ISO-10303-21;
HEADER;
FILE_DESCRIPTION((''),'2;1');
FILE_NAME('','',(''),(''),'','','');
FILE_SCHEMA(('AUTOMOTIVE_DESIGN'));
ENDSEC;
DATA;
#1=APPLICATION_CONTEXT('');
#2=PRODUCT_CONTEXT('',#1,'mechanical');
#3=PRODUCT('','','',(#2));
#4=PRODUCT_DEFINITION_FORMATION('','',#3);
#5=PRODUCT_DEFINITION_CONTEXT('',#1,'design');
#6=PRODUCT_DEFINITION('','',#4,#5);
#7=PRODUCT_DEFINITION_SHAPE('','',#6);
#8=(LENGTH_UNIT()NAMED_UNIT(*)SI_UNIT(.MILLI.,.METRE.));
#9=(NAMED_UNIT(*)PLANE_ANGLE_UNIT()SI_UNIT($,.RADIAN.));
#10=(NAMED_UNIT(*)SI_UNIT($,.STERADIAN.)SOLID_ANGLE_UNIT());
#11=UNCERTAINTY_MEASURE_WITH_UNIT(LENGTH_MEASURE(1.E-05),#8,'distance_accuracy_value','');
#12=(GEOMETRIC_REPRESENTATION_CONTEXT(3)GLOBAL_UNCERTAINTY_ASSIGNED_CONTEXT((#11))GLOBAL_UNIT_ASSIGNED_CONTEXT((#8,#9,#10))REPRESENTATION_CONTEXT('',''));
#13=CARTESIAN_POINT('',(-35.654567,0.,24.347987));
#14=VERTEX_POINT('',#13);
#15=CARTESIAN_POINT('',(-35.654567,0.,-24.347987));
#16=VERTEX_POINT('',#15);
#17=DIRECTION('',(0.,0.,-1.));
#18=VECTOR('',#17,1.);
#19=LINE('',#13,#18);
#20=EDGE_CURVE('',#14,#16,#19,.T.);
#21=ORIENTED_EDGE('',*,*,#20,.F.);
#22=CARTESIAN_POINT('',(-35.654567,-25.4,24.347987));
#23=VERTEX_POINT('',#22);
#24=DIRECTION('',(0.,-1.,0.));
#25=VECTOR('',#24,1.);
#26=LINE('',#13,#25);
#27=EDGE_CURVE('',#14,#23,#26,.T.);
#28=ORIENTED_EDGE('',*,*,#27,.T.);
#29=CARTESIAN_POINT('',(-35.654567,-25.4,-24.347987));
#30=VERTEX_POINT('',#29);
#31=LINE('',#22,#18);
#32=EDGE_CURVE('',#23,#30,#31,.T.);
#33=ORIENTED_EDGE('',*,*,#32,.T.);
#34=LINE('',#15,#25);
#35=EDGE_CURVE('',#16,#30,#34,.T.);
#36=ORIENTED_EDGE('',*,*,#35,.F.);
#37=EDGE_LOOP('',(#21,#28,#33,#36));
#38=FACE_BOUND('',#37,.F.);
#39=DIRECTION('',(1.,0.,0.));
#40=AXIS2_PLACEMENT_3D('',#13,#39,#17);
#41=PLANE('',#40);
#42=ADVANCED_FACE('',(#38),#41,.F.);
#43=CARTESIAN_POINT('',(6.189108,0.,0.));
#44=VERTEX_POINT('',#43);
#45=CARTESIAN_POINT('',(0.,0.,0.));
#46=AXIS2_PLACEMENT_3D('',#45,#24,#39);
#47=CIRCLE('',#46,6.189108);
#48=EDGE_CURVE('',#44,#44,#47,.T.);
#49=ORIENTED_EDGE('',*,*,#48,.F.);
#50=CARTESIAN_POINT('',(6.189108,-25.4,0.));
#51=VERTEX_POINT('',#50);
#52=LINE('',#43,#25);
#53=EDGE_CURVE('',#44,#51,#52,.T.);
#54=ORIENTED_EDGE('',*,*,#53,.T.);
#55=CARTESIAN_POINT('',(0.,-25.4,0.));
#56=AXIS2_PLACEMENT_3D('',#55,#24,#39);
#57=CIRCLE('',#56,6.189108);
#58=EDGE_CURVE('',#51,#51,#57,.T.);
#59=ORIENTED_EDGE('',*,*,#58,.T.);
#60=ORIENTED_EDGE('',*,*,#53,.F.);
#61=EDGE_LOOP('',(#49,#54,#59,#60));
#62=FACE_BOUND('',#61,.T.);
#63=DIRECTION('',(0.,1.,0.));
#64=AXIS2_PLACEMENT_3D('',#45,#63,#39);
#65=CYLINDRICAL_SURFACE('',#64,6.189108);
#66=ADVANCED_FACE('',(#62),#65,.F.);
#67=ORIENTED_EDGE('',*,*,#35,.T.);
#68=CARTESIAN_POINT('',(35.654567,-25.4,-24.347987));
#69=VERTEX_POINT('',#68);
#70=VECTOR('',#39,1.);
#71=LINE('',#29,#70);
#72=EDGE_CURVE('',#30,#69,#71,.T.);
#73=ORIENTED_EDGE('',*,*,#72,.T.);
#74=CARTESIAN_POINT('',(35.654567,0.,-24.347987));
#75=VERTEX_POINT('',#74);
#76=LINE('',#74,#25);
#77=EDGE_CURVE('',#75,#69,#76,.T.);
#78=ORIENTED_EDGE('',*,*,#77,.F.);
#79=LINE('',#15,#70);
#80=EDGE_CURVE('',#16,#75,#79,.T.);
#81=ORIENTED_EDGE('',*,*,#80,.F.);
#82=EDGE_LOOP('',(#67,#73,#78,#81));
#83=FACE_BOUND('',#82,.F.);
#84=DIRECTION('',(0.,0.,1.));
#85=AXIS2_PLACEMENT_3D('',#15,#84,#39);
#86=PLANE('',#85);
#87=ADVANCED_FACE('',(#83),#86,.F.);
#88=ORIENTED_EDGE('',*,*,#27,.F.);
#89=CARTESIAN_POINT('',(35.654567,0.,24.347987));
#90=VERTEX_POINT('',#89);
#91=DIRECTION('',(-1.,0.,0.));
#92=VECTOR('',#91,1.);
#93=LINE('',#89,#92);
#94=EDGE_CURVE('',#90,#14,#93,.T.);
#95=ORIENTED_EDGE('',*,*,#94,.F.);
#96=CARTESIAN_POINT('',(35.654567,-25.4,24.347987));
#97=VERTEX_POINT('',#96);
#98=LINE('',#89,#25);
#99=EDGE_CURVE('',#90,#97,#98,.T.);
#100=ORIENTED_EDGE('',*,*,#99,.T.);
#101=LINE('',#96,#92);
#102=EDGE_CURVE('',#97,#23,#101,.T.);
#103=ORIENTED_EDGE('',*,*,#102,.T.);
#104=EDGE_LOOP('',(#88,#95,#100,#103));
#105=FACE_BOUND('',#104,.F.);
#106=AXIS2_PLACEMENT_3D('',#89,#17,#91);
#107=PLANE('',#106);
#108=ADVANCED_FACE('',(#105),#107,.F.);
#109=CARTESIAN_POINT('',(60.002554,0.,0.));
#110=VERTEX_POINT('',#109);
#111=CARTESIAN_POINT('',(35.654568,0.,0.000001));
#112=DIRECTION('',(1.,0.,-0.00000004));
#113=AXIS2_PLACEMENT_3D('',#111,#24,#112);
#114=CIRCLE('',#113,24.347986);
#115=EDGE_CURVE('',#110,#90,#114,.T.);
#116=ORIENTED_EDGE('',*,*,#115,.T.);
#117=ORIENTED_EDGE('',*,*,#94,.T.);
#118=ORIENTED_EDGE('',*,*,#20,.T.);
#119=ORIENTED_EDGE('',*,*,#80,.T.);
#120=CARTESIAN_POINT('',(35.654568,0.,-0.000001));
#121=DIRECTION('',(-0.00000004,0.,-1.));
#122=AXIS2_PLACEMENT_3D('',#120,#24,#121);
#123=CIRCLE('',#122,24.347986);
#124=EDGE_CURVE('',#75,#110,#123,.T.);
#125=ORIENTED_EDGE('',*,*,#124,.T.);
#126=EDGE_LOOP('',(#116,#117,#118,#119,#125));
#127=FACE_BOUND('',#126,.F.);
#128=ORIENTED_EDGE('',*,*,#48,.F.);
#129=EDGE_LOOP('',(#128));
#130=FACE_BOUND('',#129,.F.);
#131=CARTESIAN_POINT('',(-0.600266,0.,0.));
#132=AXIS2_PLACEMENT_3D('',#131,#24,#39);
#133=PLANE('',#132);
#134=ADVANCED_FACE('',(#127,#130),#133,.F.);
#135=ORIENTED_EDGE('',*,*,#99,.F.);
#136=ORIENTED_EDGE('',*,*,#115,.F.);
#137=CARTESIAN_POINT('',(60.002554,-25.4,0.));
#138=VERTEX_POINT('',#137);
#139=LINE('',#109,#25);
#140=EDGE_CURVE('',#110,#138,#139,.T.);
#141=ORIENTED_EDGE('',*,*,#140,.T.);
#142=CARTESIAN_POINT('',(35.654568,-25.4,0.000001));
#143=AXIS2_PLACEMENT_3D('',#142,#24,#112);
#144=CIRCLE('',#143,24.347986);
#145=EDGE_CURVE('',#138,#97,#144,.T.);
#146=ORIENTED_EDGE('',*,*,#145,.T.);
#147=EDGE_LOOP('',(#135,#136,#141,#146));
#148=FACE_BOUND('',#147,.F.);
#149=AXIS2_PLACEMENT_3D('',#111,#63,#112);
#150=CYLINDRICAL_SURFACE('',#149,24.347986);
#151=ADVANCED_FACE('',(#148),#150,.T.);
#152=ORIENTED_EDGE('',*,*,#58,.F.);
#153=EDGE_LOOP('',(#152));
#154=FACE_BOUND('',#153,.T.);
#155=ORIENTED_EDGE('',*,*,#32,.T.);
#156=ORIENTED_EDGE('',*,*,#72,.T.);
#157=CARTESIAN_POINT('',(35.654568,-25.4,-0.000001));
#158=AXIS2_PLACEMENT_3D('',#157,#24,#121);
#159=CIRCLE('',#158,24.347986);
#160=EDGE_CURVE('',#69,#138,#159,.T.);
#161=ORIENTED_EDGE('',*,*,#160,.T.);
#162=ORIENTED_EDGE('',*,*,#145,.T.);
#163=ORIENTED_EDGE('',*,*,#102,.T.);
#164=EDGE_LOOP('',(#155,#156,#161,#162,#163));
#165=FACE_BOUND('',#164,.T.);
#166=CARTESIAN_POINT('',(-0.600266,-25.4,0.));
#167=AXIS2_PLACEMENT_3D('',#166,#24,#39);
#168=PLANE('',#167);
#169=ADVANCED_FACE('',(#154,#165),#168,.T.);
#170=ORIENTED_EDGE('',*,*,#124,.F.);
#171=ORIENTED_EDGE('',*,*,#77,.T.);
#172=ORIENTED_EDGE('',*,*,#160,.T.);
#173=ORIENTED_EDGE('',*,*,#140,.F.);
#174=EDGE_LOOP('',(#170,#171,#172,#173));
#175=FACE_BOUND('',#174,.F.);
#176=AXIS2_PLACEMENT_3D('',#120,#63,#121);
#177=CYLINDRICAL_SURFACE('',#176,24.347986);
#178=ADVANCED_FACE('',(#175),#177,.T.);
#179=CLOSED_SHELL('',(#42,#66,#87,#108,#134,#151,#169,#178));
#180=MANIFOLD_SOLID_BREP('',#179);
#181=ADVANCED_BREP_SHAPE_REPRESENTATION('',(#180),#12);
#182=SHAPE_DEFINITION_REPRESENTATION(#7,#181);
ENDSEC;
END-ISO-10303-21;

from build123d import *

# Parameters (mm, degrees)
F0_R     = 6.189108
F1_DEPTH = 25.4


with BuildPart() as f1:
    # F0 (on Front) → F1 (new body)
    with BuildSketch(Plane.XZ):
        with BuildLine():
            ThreePointArc((35.654567, -24.347987), (11.30658, 0), (35.654567, 24.347987))
            Line((35.654567, 24.347987), (-35.654567, 24.347987))
            Line((-35.654567, 24.347987), (-35.654567, -24.347987))
            Line((-35.654567, -24.347987), (35.654567, -24.347987))
        make_face()
        Circle(F0_R, mode=Mode.SUBTRACT)
        with BuildLine():
            Line((35.654567, -24.347987), (35.654567, 24.347987))
            ThreePointArc((35.654567, 24.347987), (11.30658, 0), (35.654567, -24.347987))
        make_face()
        with BuildLine():
            ThreePointArc((60.002554, 0), (52.871194, 17.216627), (35.654567, 24.347987))
            Line((35.654567, 24.347987), (35.654567, -24.347987))
            ThreePointArc((35.654567, -24.347987), (52.871194, -17.216627), (60.002554, 0))
        make_face()
    extrude(amount=F1_DEPTH)


solid = f1.part
